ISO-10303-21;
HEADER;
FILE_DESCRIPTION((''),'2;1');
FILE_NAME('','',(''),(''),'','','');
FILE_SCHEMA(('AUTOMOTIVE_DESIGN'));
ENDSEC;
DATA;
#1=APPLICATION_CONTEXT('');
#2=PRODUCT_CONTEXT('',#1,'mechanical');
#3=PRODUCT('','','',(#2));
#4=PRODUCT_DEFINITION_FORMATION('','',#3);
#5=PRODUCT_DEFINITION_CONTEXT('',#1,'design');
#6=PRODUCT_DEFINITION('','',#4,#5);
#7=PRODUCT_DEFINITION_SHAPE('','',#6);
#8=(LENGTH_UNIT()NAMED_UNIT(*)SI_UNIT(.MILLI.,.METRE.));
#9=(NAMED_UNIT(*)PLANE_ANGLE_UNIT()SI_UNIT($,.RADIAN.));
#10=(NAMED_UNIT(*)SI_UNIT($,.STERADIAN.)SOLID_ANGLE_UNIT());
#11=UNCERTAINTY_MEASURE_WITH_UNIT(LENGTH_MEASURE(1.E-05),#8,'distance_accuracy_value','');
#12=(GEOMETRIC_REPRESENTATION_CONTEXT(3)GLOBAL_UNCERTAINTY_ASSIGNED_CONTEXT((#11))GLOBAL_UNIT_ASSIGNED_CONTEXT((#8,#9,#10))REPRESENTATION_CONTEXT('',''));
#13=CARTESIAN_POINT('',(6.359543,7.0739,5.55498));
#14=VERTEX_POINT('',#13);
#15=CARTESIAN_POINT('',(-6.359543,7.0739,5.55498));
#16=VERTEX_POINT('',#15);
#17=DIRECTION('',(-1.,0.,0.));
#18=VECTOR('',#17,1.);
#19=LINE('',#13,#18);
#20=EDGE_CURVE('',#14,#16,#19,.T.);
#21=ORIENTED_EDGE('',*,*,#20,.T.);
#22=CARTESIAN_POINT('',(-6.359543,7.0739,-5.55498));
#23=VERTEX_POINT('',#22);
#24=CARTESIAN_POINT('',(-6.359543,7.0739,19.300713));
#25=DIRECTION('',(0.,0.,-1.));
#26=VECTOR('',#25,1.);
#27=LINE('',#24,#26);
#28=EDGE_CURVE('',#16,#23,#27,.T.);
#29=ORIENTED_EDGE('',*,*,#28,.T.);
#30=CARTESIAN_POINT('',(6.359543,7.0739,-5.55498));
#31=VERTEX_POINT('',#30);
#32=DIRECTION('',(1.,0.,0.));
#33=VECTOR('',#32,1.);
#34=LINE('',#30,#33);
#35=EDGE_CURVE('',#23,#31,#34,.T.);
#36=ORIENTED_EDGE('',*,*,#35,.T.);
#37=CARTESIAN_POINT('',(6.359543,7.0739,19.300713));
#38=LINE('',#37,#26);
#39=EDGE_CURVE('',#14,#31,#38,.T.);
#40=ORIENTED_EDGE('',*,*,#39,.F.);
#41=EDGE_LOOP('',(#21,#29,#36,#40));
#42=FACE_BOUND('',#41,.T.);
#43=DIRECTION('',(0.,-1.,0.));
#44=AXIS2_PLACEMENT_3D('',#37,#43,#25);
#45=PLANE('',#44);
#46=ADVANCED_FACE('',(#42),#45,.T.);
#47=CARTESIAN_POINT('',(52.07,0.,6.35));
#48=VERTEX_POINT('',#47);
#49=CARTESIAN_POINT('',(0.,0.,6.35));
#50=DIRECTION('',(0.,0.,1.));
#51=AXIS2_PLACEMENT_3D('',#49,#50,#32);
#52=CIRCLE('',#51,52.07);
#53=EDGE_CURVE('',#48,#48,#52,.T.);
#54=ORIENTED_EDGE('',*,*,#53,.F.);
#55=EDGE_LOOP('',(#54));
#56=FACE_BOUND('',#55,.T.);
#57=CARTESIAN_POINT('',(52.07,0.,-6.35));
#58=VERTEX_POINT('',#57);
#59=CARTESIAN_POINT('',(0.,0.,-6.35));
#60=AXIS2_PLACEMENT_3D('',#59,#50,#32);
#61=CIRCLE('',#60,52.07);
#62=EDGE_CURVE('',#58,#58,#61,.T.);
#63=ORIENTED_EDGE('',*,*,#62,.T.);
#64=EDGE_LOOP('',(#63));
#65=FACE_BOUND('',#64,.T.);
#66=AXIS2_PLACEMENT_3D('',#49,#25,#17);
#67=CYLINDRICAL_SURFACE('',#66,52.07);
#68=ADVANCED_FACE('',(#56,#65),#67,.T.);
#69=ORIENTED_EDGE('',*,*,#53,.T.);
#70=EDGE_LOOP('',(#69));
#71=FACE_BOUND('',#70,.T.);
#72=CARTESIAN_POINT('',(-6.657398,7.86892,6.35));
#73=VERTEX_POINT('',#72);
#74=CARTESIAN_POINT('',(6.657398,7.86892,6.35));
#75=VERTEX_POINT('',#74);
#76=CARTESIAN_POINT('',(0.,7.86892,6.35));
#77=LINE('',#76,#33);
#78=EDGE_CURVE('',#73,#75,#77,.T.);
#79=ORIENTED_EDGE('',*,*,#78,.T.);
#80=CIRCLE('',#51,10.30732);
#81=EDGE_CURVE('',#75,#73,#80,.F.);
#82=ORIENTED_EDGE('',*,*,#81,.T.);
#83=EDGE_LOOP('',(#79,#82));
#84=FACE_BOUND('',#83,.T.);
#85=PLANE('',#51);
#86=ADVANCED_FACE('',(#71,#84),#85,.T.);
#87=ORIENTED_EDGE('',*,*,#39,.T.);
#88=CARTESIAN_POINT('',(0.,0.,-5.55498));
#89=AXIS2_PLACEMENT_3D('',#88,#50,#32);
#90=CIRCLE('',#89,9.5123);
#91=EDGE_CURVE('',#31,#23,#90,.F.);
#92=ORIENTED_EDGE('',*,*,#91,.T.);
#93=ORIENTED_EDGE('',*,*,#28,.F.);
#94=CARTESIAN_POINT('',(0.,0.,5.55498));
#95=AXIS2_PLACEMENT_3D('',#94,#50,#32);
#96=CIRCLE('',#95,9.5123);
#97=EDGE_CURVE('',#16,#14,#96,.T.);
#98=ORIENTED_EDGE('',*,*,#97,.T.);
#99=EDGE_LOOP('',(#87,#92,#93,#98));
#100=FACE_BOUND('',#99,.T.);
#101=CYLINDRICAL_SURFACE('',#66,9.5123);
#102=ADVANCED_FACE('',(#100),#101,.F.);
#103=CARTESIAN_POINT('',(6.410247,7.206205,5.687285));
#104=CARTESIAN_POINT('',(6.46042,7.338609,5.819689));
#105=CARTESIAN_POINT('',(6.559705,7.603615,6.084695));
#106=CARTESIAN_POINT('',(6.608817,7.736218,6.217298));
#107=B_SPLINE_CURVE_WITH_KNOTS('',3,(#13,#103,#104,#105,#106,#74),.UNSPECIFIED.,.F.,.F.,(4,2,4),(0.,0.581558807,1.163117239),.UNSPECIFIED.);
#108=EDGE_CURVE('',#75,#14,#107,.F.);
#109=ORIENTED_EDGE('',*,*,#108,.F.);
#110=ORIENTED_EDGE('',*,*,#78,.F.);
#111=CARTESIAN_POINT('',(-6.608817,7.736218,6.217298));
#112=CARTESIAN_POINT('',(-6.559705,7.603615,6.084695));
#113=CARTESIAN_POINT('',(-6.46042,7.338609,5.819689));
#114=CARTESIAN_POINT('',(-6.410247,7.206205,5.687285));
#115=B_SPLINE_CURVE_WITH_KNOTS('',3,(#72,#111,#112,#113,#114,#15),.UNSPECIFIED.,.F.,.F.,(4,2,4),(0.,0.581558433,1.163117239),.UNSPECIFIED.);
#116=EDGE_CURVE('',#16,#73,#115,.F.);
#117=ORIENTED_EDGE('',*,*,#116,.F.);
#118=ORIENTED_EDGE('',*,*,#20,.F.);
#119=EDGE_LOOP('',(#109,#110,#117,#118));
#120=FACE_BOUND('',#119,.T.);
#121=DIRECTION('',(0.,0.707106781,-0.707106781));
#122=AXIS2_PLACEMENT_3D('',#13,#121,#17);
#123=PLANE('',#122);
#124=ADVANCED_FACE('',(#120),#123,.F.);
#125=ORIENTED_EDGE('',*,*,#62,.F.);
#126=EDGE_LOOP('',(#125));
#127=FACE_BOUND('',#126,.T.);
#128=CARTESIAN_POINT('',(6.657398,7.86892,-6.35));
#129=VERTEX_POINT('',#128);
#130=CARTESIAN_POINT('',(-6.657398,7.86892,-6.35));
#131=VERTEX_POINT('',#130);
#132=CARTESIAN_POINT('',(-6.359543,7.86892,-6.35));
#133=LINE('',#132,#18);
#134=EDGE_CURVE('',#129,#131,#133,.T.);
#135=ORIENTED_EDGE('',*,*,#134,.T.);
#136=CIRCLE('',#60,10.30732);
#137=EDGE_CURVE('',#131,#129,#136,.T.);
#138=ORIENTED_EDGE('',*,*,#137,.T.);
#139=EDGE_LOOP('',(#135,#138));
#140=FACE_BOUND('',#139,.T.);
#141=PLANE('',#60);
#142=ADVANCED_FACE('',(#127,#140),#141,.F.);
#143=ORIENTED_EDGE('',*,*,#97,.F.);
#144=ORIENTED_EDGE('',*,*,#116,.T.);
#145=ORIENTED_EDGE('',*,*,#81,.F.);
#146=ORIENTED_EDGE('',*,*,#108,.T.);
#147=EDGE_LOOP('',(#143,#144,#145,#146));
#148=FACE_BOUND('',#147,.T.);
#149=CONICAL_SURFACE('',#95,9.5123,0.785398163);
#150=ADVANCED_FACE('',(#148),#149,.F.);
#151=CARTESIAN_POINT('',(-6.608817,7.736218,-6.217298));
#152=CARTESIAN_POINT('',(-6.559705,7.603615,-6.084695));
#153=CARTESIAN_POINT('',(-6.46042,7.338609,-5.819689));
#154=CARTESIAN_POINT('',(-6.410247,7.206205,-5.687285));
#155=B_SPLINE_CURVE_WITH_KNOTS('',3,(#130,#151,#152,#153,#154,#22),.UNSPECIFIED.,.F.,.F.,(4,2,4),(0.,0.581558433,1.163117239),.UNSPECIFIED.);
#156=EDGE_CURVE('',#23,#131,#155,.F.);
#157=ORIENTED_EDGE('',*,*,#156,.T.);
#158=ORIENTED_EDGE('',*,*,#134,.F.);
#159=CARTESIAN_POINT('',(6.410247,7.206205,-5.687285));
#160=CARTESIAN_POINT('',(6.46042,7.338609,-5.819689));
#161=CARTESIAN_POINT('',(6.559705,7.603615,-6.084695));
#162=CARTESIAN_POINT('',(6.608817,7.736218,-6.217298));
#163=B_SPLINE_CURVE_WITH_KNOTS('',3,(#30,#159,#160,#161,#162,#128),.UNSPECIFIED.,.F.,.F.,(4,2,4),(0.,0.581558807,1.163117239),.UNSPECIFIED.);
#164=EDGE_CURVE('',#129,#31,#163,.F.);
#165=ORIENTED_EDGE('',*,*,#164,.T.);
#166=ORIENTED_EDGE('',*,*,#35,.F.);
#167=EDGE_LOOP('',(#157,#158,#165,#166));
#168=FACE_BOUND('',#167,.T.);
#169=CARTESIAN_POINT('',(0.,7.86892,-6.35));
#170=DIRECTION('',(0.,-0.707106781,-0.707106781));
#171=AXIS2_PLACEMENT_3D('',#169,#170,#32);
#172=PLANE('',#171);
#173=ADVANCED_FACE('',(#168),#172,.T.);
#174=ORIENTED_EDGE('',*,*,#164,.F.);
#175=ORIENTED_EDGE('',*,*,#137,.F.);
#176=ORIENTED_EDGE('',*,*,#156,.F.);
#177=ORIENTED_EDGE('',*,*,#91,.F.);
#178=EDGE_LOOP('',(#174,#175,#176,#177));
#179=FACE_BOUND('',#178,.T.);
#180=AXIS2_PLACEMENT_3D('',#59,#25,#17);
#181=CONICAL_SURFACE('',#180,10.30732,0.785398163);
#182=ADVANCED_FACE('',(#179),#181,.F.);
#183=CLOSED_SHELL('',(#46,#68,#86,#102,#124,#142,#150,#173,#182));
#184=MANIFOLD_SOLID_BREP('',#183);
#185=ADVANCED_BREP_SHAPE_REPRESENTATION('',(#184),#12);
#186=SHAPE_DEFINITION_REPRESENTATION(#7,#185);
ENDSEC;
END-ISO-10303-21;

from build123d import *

# Parameters (mm, degrees)
SKETCH1_R           = 52.07
SKETCH1_R_2         = 9.5123
EXTRUDE1_DEPTH      = 6.35
BOSS_EXTRUDE1_DEPTH = 12.7
CHAMFER3_SIZE       = 0.79502


with BuildPart() as part:
    # Sketch1 → Extrude1 (new, symmetric)
    with BuildSketch(Plane.XY):
        Circle(SKETCH1_R)
        Circle(SKETCH1_R_2, mode=Mode.SUBTRACT)
    extrude(amount=EXTRUDE1_DEPTH, both=True)

    # Sketch3 → Boss-Extrude1 (add)
    with BuildSketch(Plane(origin=(0, 0, -6.35), x_dir=(-1, 0, 0), z_dir=(0, 0, -1))):
        with BuildLine():
            Line((-6.359543229, 7.0739), (6.359543229, 7.0739))
            ThreePointArc((6.359543229, 7.0739), (0, 9.5123), (-6.359543229, 7.0739))
        make_face()
    extrude(amount=-BOSS_EXTRUDE1_DEPTH)

    # Chamfer3
    chamfer3_edges = [part.edges().sort_by_distance(p)[0] for p in [
        (0, -9.5123, -6.35),
        (0, 7.0739, -6.35),
        (0, 7.0739, 6.35),
        (0, -9.5123, 6.35),
    ]]
    chamfer(chamfer3_edges, length=CHAMFER3_SIZE)


solid = part.part
